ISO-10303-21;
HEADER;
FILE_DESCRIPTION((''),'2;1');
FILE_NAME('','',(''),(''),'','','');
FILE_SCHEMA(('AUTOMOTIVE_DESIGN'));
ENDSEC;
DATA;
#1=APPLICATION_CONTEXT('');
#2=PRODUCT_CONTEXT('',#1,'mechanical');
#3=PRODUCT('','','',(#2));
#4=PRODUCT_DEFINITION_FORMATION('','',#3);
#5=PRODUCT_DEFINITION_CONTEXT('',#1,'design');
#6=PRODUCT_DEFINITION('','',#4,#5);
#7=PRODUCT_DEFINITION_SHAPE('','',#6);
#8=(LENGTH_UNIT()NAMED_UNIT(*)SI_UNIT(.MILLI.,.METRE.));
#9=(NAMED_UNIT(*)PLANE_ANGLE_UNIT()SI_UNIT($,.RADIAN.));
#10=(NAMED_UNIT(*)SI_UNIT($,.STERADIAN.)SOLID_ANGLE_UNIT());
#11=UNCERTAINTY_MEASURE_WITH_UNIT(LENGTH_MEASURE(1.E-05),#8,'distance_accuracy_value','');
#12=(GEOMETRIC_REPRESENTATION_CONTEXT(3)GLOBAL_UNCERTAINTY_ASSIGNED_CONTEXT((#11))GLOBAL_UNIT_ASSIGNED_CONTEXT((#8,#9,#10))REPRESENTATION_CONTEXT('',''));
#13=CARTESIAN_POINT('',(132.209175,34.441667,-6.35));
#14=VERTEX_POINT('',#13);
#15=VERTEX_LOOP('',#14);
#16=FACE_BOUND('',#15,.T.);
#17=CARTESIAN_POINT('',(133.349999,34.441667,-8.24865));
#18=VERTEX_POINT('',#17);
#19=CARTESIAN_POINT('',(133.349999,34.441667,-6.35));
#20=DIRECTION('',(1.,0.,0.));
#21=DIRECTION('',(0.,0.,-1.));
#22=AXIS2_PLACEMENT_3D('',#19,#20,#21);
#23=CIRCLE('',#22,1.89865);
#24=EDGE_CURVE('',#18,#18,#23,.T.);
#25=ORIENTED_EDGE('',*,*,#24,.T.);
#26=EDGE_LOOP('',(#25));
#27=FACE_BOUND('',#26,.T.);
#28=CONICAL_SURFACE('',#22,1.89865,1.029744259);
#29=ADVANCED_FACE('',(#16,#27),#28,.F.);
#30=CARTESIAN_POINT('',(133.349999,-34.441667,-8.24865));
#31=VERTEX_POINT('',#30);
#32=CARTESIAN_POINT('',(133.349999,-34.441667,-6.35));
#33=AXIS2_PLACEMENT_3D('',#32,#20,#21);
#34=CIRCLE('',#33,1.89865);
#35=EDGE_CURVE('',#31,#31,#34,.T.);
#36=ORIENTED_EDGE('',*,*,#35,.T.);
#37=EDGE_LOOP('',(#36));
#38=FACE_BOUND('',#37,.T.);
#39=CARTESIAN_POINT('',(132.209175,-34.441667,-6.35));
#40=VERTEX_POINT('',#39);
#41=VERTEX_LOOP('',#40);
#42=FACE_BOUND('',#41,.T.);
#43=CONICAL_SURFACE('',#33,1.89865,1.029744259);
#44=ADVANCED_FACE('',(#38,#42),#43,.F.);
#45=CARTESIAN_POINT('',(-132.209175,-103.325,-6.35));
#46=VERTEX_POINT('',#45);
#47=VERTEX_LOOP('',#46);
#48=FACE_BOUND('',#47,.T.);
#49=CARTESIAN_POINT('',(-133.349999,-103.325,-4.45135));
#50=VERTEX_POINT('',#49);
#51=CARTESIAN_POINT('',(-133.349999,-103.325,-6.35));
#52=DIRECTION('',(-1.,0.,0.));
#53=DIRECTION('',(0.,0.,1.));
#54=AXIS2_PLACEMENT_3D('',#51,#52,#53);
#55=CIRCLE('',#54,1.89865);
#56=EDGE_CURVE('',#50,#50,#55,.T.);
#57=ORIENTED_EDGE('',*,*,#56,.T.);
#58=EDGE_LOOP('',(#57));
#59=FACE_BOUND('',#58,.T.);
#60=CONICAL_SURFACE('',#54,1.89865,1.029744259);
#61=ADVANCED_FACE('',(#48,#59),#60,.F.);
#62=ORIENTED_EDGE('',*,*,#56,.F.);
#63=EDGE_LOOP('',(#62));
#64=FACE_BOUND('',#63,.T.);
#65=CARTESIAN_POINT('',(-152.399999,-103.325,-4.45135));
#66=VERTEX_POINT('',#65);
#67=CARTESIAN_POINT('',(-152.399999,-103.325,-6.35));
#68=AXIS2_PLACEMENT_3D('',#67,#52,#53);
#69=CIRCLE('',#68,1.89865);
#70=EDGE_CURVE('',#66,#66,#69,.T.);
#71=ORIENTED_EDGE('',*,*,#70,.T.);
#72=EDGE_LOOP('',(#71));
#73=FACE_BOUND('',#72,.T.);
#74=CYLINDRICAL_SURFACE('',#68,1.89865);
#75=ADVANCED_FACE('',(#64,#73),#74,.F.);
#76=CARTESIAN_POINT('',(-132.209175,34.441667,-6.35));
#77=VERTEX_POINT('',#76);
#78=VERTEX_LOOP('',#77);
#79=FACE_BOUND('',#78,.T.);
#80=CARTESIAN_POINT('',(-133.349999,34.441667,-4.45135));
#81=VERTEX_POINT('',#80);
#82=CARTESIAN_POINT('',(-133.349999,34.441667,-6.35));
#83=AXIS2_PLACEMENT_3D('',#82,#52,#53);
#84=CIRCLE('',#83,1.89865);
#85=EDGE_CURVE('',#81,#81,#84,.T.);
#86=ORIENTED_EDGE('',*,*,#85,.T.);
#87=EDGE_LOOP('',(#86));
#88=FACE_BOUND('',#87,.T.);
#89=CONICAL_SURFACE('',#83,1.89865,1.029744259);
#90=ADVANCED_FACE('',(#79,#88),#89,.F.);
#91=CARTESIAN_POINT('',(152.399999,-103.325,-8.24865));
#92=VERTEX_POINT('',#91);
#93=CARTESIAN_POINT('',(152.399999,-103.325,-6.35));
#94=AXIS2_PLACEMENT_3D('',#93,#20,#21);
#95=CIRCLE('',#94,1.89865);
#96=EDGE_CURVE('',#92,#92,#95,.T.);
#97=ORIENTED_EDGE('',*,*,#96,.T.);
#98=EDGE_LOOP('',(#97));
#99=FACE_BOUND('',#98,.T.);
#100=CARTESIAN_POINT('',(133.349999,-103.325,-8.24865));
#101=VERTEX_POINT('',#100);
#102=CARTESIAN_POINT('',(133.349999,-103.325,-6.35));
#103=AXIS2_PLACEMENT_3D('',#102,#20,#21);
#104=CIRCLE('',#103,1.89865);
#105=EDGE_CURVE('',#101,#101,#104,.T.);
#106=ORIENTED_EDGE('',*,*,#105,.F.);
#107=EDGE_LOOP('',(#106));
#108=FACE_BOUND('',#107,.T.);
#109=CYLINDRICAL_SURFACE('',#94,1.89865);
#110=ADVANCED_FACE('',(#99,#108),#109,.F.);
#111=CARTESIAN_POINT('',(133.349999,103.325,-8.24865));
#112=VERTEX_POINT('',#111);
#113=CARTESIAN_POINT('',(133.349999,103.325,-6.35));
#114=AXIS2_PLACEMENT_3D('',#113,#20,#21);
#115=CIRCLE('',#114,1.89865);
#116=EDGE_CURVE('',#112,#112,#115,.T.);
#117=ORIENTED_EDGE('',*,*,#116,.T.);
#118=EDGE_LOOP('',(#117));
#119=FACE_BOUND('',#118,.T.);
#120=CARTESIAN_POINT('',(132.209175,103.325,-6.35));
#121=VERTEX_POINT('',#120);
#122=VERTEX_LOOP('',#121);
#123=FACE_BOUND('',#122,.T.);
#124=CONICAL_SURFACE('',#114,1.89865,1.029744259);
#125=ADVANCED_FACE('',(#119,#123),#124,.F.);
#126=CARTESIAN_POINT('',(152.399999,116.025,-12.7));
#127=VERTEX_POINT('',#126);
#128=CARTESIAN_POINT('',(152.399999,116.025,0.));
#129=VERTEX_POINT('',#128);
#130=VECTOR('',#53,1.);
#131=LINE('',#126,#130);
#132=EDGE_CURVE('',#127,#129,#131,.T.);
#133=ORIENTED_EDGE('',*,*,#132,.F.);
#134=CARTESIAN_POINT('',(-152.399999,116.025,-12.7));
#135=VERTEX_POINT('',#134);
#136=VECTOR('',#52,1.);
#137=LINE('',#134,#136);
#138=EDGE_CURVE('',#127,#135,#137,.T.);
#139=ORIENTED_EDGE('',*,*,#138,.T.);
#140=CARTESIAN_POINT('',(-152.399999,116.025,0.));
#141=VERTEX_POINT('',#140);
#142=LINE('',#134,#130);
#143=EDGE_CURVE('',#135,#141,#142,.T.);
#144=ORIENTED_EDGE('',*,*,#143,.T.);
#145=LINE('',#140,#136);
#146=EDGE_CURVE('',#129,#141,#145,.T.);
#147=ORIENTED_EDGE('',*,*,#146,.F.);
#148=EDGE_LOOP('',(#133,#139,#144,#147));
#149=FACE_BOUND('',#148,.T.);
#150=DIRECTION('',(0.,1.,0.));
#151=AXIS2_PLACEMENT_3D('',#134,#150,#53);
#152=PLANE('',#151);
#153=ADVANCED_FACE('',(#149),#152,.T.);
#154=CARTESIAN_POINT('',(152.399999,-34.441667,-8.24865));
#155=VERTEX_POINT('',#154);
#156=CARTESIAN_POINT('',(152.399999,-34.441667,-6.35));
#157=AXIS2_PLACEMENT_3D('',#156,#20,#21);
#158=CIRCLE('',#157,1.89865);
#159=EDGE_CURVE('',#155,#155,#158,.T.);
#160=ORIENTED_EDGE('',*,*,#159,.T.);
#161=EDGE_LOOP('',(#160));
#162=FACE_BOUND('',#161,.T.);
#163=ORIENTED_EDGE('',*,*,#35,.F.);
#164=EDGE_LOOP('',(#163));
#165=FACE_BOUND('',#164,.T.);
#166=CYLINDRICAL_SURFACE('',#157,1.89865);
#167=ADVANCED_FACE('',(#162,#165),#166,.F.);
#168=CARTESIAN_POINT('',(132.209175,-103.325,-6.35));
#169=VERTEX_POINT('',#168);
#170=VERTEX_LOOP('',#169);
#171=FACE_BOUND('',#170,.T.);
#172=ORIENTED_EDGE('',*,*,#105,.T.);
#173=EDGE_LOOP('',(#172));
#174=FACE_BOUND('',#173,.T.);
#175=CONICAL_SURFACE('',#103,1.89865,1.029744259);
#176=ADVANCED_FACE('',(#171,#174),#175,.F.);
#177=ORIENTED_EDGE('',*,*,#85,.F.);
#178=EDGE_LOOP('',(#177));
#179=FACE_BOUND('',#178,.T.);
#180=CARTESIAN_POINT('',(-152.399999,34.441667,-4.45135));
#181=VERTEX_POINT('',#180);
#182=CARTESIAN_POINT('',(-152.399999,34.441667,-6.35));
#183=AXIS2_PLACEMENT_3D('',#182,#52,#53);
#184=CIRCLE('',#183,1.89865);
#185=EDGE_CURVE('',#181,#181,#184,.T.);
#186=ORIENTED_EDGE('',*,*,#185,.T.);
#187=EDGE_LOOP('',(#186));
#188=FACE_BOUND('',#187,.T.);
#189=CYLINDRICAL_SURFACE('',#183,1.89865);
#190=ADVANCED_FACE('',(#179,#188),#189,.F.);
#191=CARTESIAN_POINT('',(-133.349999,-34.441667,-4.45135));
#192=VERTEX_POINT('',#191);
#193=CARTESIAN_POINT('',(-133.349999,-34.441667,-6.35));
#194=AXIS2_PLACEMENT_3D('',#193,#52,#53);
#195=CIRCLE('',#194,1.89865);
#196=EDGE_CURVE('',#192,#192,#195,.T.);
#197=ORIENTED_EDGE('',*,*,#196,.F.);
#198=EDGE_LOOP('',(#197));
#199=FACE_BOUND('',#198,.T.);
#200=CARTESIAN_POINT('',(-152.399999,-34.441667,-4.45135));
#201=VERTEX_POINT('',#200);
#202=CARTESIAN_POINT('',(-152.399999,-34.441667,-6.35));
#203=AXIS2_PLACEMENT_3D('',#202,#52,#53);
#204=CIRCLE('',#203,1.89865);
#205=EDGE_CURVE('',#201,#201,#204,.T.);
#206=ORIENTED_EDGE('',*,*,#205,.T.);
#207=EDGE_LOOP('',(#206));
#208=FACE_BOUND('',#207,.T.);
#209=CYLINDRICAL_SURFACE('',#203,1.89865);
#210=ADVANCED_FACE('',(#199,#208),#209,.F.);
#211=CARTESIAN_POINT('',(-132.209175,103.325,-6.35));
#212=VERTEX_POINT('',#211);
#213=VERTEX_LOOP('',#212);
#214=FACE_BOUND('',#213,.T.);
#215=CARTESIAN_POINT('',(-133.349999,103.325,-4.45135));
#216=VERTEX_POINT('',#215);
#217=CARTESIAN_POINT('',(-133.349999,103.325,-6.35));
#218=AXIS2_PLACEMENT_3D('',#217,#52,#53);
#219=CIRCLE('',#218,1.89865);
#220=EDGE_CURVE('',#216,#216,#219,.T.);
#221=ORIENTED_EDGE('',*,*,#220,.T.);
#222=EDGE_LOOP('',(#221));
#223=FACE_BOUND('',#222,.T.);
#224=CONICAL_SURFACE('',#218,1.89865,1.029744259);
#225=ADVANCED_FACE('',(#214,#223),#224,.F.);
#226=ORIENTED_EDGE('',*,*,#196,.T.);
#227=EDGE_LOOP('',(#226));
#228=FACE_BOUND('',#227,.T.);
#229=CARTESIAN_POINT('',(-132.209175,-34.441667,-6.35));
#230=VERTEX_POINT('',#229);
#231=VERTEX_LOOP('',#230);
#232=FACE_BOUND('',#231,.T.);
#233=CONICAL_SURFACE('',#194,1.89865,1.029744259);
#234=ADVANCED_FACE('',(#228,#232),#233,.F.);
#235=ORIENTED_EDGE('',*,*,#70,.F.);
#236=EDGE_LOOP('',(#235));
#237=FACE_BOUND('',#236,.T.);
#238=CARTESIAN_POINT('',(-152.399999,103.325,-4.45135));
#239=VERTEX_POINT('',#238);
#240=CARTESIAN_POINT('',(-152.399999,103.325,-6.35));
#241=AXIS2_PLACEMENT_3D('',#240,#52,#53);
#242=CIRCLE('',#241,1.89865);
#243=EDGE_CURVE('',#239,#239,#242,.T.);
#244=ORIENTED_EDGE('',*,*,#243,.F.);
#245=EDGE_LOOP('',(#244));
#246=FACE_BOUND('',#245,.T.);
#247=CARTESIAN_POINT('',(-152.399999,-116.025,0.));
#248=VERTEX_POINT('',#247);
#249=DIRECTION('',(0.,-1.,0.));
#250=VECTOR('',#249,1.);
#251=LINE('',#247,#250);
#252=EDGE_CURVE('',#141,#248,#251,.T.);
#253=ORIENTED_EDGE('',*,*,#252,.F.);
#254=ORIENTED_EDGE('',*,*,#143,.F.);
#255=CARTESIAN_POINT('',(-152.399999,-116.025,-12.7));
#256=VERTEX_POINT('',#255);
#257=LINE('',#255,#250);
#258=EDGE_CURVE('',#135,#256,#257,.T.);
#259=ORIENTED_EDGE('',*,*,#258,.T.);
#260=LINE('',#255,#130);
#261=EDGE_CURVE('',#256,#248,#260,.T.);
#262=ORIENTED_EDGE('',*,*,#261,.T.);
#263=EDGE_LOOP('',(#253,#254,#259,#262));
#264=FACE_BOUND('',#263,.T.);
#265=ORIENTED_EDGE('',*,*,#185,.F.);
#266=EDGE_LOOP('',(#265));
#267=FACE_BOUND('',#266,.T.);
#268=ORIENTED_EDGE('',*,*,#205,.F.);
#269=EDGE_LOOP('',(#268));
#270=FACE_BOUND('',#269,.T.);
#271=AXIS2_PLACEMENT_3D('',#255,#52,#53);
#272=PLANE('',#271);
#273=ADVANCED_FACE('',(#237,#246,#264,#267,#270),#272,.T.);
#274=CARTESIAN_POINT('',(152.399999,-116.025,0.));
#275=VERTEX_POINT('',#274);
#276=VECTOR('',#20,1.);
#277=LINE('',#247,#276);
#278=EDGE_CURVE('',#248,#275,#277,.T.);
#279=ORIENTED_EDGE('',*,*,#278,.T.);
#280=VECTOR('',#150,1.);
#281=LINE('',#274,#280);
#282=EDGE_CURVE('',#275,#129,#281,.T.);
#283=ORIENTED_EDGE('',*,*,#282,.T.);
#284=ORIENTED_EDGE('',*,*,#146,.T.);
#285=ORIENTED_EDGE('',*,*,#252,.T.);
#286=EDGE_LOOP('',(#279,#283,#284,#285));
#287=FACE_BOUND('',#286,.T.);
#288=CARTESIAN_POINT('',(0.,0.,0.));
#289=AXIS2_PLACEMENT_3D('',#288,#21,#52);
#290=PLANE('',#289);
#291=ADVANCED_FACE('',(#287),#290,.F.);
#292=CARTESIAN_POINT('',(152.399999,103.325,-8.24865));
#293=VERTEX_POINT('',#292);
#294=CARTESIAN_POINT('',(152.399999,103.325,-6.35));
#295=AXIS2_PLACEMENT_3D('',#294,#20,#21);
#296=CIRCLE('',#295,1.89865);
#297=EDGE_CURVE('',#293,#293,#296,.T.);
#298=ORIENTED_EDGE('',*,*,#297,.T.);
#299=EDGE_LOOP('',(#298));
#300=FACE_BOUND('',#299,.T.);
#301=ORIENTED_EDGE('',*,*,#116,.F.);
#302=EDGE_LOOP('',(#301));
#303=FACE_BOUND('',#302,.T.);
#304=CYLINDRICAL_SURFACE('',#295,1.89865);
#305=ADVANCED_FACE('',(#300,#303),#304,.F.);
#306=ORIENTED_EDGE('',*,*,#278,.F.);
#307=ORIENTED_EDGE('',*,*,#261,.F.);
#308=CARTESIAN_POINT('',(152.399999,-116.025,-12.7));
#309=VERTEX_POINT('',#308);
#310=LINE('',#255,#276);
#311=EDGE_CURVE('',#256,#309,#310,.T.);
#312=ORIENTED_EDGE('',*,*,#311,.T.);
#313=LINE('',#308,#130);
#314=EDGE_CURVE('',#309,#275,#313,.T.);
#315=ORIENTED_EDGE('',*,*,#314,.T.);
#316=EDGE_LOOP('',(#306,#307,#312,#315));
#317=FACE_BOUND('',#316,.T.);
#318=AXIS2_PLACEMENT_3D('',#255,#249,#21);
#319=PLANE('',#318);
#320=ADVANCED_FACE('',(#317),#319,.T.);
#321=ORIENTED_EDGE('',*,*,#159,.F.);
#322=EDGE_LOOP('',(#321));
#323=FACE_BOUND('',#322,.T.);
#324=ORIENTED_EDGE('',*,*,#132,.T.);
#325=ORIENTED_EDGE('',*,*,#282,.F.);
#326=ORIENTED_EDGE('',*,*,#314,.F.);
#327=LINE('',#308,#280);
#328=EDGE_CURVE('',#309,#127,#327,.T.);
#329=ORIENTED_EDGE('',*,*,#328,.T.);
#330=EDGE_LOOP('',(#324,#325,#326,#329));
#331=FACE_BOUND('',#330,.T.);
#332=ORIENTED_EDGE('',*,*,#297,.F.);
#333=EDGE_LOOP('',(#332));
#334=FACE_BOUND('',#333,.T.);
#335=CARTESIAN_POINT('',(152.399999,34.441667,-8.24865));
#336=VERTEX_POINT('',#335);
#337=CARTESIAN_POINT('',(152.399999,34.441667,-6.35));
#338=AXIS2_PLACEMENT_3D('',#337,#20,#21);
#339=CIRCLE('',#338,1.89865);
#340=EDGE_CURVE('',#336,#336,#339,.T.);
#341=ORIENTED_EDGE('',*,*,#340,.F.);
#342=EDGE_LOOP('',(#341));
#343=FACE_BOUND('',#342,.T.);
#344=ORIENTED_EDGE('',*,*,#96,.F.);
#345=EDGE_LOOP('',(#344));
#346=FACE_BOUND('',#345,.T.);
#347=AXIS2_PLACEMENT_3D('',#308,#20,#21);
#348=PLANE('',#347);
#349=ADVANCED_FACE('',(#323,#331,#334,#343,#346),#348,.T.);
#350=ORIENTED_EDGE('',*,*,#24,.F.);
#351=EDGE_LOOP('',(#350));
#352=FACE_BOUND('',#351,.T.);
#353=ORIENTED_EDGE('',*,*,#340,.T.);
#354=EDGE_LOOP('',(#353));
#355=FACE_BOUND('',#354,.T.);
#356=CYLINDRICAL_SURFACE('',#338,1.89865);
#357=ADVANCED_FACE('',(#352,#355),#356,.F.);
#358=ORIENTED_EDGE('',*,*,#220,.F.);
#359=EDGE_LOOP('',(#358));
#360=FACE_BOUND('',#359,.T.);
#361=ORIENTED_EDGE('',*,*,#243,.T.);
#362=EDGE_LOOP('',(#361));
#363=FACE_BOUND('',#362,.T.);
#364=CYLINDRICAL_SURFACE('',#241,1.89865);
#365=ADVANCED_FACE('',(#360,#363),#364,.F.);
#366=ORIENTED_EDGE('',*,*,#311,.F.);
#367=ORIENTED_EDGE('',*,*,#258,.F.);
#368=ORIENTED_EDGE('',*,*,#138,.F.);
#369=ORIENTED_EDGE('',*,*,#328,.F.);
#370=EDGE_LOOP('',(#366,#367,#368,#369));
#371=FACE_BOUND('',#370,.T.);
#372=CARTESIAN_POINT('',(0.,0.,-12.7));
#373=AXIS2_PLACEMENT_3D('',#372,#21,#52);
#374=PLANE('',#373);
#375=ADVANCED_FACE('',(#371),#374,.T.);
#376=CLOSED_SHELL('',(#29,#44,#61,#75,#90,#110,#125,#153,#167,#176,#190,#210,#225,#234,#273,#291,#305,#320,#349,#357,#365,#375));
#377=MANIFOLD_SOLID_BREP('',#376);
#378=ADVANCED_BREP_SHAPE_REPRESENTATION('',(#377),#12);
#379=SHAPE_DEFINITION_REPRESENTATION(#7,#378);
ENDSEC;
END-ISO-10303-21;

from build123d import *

# Parameters (mm, degrees)
SKETCH1_W                       = 304.799998662
SKETCH1_H                       = 232.05
BOSS_EXTRUDE1_DEPTH             = 12.7
F_10_24_TAPPED_HOLE1_AT_2_COUNT = 2
F_10_24_TAPPED_HOLE1_AT_2_PITCH = 68.883333333
F_10_24_TAPPED_HOLE1_AT_3_COUNT = 2
F_10_24_TAPPED_HOLE1_AT_3_PITCH = 137.766666667
F_10_24_TAPPED_HOLE1_AT_4_COUNT = 2
F_10_24_TAPPED_HOLE1_AT_4_PITCH = 206.65


with BuildPart() as part:
    # Sketch1 → Boss-Extrude1 (new body)
    with BuildSketch(Plane.XY):
        Rectangle(SKETCH1_W, SKETCH1_H)
    extrude(amount=-BOSS_EXTRUDE1_DEPTH)

    # Sketch3 → #10-24 Tapped Hole1 (revolve, cut)
    with BuildSketch(Plane(origin=(-152.399999331, 103.325, -6.35), x_dir=(0, 0, 1), z_dir=(0, 1, 0))):
        Polygon((0, 0), (0, 20.190824014), (1.89865, 19.05), (1.89865, 0), align=None)
    f_10_24_tapped_hole1 = revolve(axis=Axis((-158.749999331, 103.325, -6.35), (1, 0, 0)), mode=Mode.SUBTRACT)

    # #10-24 Tapped Hole1 at 2: #10-24 Tapped Hole1 ×2
    with Locations(*[(0, -i * F_10_24_TAPPED_HOLE1_AT_2_PITCH, 0) for i in range(1, F_10_24_TAPPED_HOLE1_AT_2_COUNT)]):
        add(f_10_24_tapped_hole1, mode=Mode.SUBTRACT)

    # #10-24 Tapped Hole1 at 3: #10-24 Tapped Hole1 ×2
    with Locations(*[(0, -i * F_10_24_TAPPED_HOLE1_AT_3_PITCH, 0) for i in range(1, F_10_24_TAPPED_HOLE1_AT_3_COUNT)]):
        add(f_10_24_tapped_hole1, mode=Mode.SUBTRACT)

    # #10-24 Tapped Hole1 at 4: #10-24 Tapped Hole1 ×2
    with Locations(*[(0, -i * F_10_24_TAPPED_HOLE1_AT_4_PITCH, 0) for i in range(1, F_10_24_TAPPED_HOLE1_AT_4_COUNT)]):
        add(f_10_24_tapped_hole1, mode=Mode.SUBTRACT)

    # Mirror1: #10-24 Tapped Hole1 across plane
    add(f_10_24_tapped_hole1.mirror(Plane(origin=(0, 0, 0), x_dir=(0, 0, 1), z_dir=(1, 0, 0))), mode=Mode.SUBTRACT)

    # Mirror1 copy 1 sketch → Mirror1 copy 1 (revolve, cut)
    with BuildSketch(Plane(origin=(152.399999331, 34.441666667, -6.35), x_dir=(0, 0, 1), z_dir=(0, 1, 0))):
        Polygon((0, 0), (0, -20.190824014), (1.89865, -19.05), (1.89865, 0), align=None)
    revolve(axis=Axis((158.749999331, 34.441666667, -6.35), (1, 0, 0)), mode=Mode.SUBTRACT)

    # Mirror1 copy 2 sketch → Mirror1 copy 2 (revolve, cut)
    with BuildSketch(Plane(origin=(152.399999331, -34.441666667, -6.35), x_dir=(0, 0, 1), z_dir=(0, 1, 0))):
        Polygon((0, 0), (0, -20.190824014), (1.89865, -19.05), (1.89865, 0), align=None)
    revolve(axis=Axis((158.749999331, -34.441666667, -6.35), (1, 0, 0)), mode=Mode.SUBTRACT)

    # Mirror1 copy 3 sketch → Mirror1 copy 3 (revolve, cut)
    with BuildSketch(Plane(origin=(152.399999331, -103.325, -6.35), x_dir=(0, 0, 1), z_dir=(0, 1, 0))):
        Polygon((0, 0), (0, -20.190824014), (1.89865, -19.05), (1.89865, 0), align=None)
    revolve(axis=Axis((158.749999331, -103.325, -6.35), (1, 0, 0)), mode=Mode.SUBTRACT)


solid = part.part
